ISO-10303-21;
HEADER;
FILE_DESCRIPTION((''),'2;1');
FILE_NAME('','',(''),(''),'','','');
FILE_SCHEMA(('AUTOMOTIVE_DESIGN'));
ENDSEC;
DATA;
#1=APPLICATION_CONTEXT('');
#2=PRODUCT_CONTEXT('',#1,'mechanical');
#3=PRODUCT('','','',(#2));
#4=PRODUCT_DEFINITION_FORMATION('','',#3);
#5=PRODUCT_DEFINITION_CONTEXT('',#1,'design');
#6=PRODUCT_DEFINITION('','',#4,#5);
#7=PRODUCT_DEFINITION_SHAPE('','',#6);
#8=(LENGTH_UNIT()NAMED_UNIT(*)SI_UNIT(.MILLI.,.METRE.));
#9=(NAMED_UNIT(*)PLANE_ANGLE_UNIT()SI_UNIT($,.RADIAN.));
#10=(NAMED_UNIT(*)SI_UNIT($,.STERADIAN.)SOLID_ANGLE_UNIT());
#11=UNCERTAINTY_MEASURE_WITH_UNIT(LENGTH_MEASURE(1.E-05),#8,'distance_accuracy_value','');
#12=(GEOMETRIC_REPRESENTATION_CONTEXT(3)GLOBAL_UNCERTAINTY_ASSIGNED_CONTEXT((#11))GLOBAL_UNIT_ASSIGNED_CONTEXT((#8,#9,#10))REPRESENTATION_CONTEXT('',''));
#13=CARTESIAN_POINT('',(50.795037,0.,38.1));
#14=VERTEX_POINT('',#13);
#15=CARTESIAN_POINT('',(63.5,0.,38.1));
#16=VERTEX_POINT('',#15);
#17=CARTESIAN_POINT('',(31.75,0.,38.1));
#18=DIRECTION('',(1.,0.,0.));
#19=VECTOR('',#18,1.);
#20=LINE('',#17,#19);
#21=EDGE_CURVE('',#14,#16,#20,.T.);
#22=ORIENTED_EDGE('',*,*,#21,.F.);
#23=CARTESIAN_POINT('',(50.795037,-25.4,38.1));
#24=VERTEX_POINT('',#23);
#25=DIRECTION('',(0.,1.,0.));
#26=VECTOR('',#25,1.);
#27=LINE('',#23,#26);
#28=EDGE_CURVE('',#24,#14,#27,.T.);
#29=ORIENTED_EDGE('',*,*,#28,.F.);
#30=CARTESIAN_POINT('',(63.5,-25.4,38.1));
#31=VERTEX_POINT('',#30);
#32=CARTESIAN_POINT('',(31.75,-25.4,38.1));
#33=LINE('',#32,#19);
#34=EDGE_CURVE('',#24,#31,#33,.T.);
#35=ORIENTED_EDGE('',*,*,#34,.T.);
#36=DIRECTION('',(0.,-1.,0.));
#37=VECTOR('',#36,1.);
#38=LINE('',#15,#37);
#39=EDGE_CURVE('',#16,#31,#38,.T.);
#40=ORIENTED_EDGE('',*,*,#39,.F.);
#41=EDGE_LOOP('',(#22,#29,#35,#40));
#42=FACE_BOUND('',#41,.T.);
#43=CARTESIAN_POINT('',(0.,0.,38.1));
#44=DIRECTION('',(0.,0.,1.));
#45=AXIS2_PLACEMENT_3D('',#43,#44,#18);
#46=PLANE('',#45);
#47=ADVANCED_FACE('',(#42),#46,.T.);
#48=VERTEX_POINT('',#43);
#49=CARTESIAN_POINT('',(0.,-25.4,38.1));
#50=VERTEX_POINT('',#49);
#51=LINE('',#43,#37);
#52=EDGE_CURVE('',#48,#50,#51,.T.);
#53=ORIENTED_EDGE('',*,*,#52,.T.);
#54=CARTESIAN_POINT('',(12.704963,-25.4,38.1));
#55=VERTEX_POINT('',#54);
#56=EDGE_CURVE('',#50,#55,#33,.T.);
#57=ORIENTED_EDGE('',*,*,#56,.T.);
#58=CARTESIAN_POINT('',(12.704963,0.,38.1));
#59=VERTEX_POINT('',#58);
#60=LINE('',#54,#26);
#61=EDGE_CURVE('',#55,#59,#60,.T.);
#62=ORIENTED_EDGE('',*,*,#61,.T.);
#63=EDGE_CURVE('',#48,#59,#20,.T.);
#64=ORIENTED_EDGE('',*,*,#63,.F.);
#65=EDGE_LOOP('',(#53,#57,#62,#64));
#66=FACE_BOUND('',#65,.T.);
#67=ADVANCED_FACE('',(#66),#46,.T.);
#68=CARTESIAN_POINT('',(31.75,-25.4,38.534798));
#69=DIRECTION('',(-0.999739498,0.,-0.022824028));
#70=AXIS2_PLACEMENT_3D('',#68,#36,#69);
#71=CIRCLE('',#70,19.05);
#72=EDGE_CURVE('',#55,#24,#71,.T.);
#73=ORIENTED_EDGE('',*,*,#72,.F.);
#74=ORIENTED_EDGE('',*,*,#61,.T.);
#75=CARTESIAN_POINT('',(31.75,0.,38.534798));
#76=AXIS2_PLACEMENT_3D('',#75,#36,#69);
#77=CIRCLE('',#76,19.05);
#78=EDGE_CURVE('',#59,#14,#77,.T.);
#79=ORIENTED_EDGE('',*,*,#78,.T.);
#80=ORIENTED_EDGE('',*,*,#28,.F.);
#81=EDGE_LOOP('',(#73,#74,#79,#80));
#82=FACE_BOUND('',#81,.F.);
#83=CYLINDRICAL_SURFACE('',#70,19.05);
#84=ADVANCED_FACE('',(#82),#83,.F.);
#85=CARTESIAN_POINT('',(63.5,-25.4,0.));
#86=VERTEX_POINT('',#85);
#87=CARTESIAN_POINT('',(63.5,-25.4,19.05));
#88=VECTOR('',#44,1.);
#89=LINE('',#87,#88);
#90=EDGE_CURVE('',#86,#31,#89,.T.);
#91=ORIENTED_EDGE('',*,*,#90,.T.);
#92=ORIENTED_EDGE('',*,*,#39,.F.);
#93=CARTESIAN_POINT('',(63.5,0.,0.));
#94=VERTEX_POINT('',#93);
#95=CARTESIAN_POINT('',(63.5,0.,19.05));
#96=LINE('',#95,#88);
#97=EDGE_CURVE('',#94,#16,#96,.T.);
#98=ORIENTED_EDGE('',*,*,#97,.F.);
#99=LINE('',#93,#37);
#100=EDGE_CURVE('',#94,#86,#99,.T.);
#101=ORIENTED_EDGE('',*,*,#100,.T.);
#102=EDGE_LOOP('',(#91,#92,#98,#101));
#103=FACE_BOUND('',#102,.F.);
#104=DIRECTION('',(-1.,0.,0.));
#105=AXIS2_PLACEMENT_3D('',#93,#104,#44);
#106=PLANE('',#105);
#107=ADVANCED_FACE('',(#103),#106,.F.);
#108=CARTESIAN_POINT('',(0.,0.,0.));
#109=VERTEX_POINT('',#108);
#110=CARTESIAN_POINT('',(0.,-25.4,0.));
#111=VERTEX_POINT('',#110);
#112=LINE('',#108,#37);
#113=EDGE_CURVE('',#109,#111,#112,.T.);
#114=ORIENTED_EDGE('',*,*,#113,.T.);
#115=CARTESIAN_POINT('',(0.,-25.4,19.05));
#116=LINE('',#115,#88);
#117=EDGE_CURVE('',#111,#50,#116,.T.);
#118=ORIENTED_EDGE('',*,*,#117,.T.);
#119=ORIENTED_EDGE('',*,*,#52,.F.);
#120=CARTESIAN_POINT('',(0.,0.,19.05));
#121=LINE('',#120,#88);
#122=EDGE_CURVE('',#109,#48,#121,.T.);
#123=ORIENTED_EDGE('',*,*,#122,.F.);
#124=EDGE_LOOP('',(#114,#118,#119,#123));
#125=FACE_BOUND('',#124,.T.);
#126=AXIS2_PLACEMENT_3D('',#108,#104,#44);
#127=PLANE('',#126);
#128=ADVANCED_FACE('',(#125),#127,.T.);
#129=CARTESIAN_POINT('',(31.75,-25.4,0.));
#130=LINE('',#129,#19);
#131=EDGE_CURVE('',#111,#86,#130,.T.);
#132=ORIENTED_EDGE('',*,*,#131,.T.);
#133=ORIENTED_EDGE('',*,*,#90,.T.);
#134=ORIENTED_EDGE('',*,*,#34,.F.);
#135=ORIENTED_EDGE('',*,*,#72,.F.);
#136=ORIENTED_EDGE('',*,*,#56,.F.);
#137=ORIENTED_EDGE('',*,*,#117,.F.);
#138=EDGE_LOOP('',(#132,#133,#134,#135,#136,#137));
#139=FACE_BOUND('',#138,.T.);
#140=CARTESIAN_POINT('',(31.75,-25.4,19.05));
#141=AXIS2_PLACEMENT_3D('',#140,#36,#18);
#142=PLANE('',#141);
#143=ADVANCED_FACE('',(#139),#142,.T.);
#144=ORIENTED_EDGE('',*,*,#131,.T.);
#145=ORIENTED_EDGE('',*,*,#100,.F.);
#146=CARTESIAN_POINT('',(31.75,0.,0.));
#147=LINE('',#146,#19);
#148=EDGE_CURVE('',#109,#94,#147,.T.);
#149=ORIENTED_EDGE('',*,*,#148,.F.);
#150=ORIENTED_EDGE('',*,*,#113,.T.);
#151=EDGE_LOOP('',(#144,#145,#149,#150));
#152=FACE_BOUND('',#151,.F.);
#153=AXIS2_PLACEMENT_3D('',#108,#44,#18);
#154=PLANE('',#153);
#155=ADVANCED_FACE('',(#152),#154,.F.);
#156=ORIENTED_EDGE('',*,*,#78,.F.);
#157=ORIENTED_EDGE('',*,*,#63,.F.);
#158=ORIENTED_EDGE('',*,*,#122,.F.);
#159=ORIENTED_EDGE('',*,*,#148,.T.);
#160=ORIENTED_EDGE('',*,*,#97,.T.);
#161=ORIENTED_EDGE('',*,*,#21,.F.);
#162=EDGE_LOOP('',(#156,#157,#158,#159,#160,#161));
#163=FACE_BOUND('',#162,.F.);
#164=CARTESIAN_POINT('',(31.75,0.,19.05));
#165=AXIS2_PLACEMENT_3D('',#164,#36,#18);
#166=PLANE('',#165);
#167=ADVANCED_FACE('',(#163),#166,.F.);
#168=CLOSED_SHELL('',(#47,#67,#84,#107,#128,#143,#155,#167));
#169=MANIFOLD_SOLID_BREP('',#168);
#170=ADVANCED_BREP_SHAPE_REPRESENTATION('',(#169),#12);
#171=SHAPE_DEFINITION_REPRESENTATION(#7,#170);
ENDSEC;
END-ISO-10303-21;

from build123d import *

# Parameters (mm, degrees)
F0_W     = 63.5
F0_H     = 38.1
F1_DEPTH = 25.4
F3_DEPTH = 25.4


with BuildPart() as f1:
    # F0 (on Front) → F1 (new body)
    with BuildSketch(Plane.XZ):
        with Locations((31.75, 19.05)):
            Rectangle(F0_W, F0_H)
    extrude(amount=F1_DEPTH)

    # F2 (on face) → F3 (cut)
    with BuildSketch(Plane.XZ.offset(25.4)):
        with BuildLine():
            Line((50.7950374359, 38.1), (12.7049625641, 38.1))
            ThreePointArc((12.7049625641, 38.1), (31.75, 19.4847977281), (50.7950374359, 38.1))
        make_face()
        with BuildLine():
            ThreePointArc((50.7950374359, 38.1), (50.7987593186, 38.3173847044), (50.8, 38.5347977281))
            ThreePointArc((50.8, 38.5347977281), (31.5325869764, 57.5835570466), (12.7049625641, 38.1))
            Line((12.7049625641, 38.1), (50.7950374359, 38.1))
        make_face()
    extrude(amount=-F3_DEPTH, mode=Mode.SUBTRACT)


solid = f1.part
